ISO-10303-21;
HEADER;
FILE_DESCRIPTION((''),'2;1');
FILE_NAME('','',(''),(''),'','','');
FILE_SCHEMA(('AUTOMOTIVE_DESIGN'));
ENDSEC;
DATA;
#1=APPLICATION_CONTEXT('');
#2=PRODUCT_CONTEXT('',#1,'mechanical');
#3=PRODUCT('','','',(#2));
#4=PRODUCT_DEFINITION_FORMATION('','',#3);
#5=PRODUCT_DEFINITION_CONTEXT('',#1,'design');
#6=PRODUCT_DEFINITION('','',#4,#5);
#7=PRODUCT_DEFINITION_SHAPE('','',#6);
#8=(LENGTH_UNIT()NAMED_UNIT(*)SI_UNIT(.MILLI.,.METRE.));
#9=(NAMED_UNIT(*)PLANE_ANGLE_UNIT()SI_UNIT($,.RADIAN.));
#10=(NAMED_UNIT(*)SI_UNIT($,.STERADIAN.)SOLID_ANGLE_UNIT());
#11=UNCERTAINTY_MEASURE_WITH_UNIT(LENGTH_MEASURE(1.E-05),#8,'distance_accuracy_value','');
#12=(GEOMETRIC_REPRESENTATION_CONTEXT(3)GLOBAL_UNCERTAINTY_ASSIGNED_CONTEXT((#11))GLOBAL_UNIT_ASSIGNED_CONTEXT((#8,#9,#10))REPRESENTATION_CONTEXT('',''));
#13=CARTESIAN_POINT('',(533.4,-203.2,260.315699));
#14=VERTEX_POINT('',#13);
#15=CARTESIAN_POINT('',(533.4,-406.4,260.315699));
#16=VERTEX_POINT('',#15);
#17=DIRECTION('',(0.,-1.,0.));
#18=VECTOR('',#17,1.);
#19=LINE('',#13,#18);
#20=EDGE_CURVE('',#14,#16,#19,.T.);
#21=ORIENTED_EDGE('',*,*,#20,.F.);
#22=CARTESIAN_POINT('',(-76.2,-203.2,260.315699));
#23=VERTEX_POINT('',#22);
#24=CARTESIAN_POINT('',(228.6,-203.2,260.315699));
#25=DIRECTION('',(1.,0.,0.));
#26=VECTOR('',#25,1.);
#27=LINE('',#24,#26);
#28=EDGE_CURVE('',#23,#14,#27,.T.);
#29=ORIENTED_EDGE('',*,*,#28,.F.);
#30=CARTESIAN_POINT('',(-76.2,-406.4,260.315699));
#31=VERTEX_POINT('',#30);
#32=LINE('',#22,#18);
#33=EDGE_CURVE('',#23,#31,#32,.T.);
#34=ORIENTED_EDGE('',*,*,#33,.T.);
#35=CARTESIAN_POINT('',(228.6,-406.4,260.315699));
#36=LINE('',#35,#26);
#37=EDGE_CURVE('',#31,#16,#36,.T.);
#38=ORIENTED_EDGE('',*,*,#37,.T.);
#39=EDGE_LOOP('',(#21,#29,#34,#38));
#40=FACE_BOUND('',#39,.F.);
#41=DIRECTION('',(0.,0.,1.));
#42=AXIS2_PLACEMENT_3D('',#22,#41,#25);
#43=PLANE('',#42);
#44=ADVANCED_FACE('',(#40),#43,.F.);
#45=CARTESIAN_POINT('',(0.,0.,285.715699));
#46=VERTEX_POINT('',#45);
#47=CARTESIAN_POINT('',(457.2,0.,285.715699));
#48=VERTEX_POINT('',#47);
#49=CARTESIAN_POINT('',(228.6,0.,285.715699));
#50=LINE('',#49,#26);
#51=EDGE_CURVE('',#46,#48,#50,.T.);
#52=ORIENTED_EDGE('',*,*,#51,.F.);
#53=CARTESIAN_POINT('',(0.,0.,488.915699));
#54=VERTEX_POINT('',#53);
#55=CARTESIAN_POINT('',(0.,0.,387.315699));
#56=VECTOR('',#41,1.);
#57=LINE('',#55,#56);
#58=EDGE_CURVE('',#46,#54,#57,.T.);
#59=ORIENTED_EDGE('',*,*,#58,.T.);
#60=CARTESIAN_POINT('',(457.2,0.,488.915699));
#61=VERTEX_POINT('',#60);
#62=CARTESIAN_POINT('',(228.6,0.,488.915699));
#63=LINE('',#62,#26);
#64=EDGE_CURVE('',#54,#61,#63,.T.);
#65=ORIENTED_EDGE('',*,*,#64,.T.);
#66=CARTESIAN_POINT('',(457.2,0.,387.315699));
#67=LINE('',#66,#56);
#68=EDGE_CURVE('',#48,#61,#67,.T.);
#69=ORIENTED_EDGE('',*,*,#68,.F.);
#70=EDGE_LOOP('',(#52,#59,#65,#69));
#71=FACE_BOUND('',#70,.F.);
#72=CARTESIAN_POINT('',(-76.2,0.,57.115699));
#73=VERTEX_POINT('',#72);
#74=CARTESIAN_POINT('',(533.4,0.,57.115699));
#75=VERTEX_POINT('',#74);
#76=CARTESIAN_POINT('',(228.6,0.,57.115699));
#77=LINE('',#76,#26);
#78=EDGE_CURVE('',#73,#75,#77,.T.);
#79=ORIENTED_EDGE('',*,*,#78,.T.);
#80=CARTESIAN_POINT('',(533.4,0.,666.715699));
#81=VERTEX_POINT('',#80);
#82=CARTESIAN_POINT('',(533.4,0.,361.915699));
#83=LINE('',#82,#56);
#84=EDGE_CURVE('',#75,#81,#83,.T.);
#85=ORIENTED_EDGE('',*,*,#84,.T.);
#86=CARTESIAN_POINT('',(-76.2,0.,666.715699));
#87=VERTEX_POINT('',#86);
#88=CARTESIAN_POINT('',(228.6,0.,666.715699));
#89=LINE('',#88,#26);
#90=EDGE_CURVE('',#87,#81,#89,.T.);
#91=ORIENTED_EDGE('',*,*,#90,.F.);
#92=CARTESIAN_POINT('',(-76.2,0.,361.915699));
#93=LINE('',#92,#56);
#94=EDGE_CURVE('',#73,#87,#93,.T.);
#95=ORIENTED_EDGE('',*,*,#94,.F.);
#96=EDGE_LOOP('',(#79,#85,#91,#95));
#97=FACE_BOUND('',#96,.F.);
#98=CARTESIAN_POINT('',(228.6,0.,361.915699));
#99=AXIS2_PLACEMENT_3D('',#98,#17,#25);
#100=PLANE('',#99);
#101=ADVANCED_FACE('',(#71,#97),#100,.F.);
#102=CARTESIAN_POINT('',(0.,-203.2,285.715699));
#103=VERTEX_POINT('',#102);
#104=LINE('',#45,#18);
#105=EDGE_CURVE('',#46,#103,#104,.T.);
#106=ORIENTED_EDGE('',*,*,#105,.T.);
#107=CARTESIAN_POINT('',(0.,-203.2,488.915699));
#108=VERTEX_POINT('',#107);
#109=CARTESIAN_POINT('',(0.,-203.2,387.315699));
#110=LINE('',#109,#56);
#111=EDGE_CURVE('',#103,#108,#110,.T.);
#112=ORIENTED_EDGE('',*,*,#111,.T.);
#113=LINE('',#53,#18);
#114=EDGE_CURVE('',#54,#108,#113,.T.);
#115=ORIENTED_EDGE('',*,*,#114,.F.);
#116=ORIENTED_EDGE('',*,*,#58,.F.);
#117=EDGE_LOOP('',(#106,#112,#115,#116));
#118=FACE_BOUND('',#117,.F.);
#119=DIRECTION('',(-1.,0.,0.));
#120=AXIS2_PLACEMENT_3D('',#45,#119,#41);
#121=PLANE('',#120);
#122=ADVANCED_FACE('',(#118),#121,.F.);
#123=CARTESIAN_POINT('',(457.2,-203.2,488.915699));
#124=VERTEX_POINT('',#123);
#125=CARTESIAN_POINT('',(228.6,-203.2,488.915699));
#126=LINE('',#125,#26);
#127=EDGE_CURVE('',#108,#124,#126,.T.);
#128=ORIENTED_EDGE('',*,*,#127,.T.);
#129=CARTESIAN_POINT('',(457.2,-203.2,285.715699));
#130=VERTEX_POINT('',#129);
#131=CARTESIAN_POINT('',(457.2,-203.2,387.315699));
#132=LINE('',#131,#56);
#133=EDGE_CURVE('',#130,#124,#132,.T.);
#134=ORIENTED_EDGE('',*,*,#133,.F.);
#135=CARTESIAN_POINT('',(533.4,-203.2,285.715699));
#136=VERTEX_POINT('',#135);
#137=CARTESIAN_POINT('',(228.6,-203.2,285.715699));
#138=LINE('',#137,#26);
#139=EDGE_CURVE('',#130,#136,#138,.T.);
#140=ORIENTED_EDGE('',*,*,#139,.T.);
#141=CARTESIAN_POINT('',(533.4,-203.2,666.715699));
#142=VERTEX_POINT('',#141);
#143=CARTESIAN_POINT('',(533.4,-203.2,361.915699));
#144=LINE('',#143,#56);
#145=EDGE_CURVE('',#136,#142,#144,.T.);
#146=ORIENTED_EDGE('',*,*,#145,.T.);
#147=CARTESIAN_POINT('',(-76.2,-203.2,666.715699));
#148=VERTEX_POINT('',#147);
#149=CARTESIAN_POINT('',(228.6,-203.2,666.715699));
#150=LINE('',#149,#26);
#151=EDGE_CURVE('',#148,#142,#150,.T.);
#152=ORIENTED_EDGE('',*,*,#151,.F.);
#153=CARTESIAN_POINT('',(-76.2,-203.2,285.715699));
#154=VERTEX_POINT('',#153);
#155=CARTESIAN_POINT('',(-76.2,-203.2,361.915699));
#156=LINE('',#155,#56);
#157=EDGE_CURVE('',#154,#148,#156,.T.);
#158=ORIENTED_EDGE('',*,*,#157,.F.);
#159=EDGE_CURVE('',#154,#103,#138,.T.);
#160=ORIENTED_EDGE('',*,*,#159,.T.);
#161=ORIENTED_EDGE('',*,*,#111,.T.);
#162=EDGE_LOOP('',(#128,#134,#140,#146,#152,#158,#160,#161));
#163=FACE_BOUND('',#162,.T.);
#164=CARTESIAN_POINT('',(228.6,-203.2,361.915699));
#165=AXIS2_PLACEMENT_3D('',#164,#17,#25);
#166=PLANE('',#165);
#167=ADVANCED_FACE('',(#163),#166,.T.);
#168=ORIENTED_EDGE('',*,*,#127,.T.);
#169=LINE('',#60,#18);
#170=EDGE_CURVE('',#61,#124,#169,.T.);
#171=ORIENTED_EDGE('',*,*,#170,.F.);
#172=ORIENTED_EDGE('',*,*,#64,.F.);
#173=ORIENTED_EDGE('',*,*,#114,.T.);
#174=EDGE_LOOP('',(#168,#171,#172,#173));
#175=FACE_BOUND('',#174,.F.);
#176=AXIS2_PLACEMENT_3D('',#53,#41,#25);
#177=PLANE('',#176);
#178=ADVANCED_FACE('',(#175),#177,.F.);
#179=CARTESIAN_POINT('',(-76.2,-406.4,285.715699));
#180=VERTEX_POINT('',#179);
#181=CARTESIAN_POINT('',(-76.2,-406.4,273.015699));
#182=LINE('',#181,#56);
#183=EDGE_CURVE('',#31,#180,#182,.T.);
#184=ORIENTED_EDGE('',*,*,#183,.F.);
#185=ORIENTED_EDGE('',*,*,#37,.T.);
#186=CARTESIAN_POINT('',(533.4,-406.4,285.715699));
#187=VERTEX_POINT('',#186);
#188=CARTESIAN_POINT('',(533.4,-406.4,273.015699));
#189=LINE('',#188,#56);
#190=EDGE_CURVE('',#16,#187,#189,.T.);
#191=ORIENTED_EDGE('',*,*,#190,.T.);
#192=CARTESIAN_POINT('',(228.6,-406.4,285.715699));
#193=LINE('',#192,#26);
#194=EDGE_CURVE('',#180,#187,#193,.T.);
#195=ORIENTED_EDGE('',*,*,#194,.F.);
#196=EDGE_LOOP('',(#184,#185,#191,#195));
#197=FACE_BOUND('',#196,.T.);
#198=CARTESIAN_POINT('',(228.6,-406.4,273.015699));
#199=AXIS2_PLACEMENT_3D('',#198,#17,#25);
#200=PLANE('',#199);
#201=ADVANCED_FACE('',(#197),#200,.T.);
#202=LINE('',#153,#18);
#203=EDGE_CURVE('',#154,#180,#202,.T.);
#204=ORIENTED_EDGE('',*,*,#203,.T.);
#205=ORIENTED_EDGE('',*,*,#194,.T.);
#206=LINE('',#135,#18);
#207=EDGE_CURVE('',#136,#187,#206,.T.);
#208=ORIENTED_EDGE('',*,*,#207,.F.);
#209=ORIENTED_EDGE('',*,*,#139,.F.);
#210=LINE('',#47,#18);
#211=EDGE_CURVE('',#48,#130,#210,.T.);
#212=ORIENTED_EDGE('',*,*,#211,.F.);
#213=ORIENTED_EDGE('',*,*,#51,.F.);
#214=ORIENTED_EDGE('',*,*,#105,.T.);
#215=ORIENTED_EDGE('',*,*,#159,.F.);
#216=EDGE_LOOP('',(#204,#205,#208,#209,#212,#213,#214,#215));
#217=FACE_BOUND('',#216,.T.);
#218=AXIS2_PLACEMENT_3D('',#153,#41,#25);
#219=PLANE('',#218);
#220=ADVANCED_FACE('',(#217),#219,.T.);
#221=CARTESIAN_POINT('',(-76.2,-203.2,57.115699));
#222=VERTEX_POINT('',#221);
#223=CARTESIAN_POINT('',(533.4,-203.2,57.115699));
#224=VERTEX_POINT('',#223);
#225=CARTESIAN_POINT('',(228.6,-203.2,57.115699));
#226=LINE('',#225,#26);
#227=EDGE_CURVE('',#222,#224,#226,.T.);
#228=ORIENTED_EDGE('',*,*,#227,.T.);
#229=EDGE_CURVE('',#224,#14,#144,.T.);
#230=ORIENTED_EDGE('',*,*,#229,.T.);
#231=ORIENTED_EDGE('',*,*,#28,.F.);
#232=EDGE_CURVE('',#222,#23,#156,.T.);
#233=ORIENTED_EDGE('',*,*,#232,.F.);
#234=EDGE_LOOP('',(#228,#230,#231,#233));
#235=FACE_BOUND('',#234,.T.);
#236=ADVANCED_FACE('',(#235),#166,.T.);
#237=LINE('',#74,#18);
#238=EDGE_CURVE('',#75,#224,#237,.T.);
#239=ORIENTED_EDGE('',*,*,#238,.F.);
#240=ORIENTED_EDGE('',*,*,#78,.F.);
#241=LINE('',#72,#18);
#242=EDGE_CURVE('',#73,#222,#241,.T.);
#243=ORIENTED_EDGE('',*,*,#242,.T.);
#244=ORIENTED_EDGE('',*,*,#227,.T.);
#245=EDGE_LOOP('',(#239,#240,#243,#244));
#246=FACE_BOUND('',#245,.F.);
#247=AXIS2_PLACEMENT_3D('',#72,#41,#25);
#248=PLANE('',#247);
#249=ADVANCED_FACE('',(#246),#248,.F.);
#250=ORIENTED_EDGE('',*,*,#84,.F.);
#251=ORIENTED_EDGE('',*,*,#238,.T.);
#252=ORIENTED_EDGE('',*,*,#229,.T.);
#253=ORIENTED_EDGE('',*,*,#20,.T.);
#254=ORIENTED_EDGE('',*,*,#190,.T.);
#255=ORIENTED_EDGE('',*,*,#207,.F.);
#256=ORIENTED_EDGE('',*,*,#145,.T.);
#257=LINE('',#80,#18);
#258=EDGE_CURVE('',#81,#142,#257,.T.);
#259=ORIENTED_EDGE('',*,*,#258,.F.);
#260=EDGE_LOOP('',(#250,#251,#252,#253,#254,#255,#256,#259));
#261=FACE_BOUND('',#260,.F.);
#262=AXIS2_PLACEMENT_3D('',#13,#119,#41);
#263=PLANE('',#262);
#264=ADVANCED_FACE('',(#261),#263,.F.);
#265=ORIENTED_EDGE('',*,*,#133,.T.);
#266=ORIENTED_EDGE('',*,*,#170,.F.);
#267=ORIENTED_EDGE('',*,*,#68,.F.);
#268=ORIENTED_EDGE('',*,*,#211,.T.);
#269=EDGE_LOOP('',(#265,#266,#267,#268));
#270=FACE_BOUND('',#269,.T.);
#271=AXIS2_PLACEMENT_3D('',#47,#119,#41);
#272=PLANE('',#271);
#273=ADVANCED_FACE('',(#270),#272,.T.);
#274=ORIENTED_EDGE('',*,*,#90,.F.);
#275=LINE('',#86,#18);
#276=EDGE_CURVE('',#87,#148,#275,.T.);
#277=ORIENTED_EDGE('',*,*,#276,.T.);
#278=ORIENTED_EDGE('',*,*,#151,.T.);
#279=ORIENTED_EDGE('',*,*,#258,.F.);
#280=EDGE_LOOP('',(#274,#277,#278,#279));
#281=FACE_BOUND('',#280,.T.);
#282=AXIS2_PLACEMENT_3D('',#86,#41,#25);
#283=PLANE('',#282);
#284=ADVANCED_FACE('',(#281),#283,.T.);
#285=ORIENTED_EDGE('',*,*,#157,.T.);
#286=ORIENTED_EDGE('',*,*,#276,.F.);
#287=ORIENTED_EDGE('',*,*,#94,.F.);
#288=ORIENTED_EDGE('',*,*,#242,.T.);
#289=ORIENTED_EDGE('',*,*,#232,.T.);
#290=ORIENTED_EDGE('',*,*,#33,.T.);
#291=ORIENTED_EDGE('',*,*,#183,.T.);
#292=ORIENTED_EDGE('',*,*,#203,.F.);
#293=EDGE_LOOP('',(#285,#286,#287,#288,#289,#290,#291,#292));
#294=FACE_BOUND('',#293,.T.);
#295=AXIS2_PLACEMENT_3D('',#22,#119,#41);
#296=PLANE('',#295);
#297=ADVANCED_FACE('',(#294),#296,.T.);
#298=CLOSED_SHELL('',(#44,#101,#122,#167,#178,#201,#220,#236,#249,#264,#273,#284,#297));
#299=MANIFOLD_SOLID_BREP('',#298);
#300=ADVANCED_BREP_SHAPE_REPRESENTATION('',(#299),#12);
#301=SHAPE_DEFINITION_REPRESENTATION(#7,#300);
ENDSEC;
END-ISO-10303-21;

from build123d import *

# Parameters (mm, degrees)
F0_W     = 609.6
F0_H     = 609.6
F0_W_2   = 457.2
F0_H_2   = 203.2
F1_DEPTH = 203.2
F2_W     = 609.6
F2_H     = 25.4
F3_DEPTH = 203.2


with BuildPart() as f1:
    # F0 (on Front) → F1 (new body)
    with BuildSketch(Plane.XZ):
        with Locations((228.6, 361.915699)):
            Rectangle(F0_W, F0_H)
        with Locations((228.6, 387.315699)):
            Rectangle(F0_W_2, F0_H_2, mode=Mode.SUBTRACT)
    extrude(amount=F1_DEPTH)

    # F2 (on face) → F3 (join)
    with BuildSketch(Plane.XZ.offset(203.2)):
        with Locations((228.6, 273.015699)):
            Rectangle(F2_W, F2_H)
    extrude(amount=F3_DEPTH)


solid = f1.part
